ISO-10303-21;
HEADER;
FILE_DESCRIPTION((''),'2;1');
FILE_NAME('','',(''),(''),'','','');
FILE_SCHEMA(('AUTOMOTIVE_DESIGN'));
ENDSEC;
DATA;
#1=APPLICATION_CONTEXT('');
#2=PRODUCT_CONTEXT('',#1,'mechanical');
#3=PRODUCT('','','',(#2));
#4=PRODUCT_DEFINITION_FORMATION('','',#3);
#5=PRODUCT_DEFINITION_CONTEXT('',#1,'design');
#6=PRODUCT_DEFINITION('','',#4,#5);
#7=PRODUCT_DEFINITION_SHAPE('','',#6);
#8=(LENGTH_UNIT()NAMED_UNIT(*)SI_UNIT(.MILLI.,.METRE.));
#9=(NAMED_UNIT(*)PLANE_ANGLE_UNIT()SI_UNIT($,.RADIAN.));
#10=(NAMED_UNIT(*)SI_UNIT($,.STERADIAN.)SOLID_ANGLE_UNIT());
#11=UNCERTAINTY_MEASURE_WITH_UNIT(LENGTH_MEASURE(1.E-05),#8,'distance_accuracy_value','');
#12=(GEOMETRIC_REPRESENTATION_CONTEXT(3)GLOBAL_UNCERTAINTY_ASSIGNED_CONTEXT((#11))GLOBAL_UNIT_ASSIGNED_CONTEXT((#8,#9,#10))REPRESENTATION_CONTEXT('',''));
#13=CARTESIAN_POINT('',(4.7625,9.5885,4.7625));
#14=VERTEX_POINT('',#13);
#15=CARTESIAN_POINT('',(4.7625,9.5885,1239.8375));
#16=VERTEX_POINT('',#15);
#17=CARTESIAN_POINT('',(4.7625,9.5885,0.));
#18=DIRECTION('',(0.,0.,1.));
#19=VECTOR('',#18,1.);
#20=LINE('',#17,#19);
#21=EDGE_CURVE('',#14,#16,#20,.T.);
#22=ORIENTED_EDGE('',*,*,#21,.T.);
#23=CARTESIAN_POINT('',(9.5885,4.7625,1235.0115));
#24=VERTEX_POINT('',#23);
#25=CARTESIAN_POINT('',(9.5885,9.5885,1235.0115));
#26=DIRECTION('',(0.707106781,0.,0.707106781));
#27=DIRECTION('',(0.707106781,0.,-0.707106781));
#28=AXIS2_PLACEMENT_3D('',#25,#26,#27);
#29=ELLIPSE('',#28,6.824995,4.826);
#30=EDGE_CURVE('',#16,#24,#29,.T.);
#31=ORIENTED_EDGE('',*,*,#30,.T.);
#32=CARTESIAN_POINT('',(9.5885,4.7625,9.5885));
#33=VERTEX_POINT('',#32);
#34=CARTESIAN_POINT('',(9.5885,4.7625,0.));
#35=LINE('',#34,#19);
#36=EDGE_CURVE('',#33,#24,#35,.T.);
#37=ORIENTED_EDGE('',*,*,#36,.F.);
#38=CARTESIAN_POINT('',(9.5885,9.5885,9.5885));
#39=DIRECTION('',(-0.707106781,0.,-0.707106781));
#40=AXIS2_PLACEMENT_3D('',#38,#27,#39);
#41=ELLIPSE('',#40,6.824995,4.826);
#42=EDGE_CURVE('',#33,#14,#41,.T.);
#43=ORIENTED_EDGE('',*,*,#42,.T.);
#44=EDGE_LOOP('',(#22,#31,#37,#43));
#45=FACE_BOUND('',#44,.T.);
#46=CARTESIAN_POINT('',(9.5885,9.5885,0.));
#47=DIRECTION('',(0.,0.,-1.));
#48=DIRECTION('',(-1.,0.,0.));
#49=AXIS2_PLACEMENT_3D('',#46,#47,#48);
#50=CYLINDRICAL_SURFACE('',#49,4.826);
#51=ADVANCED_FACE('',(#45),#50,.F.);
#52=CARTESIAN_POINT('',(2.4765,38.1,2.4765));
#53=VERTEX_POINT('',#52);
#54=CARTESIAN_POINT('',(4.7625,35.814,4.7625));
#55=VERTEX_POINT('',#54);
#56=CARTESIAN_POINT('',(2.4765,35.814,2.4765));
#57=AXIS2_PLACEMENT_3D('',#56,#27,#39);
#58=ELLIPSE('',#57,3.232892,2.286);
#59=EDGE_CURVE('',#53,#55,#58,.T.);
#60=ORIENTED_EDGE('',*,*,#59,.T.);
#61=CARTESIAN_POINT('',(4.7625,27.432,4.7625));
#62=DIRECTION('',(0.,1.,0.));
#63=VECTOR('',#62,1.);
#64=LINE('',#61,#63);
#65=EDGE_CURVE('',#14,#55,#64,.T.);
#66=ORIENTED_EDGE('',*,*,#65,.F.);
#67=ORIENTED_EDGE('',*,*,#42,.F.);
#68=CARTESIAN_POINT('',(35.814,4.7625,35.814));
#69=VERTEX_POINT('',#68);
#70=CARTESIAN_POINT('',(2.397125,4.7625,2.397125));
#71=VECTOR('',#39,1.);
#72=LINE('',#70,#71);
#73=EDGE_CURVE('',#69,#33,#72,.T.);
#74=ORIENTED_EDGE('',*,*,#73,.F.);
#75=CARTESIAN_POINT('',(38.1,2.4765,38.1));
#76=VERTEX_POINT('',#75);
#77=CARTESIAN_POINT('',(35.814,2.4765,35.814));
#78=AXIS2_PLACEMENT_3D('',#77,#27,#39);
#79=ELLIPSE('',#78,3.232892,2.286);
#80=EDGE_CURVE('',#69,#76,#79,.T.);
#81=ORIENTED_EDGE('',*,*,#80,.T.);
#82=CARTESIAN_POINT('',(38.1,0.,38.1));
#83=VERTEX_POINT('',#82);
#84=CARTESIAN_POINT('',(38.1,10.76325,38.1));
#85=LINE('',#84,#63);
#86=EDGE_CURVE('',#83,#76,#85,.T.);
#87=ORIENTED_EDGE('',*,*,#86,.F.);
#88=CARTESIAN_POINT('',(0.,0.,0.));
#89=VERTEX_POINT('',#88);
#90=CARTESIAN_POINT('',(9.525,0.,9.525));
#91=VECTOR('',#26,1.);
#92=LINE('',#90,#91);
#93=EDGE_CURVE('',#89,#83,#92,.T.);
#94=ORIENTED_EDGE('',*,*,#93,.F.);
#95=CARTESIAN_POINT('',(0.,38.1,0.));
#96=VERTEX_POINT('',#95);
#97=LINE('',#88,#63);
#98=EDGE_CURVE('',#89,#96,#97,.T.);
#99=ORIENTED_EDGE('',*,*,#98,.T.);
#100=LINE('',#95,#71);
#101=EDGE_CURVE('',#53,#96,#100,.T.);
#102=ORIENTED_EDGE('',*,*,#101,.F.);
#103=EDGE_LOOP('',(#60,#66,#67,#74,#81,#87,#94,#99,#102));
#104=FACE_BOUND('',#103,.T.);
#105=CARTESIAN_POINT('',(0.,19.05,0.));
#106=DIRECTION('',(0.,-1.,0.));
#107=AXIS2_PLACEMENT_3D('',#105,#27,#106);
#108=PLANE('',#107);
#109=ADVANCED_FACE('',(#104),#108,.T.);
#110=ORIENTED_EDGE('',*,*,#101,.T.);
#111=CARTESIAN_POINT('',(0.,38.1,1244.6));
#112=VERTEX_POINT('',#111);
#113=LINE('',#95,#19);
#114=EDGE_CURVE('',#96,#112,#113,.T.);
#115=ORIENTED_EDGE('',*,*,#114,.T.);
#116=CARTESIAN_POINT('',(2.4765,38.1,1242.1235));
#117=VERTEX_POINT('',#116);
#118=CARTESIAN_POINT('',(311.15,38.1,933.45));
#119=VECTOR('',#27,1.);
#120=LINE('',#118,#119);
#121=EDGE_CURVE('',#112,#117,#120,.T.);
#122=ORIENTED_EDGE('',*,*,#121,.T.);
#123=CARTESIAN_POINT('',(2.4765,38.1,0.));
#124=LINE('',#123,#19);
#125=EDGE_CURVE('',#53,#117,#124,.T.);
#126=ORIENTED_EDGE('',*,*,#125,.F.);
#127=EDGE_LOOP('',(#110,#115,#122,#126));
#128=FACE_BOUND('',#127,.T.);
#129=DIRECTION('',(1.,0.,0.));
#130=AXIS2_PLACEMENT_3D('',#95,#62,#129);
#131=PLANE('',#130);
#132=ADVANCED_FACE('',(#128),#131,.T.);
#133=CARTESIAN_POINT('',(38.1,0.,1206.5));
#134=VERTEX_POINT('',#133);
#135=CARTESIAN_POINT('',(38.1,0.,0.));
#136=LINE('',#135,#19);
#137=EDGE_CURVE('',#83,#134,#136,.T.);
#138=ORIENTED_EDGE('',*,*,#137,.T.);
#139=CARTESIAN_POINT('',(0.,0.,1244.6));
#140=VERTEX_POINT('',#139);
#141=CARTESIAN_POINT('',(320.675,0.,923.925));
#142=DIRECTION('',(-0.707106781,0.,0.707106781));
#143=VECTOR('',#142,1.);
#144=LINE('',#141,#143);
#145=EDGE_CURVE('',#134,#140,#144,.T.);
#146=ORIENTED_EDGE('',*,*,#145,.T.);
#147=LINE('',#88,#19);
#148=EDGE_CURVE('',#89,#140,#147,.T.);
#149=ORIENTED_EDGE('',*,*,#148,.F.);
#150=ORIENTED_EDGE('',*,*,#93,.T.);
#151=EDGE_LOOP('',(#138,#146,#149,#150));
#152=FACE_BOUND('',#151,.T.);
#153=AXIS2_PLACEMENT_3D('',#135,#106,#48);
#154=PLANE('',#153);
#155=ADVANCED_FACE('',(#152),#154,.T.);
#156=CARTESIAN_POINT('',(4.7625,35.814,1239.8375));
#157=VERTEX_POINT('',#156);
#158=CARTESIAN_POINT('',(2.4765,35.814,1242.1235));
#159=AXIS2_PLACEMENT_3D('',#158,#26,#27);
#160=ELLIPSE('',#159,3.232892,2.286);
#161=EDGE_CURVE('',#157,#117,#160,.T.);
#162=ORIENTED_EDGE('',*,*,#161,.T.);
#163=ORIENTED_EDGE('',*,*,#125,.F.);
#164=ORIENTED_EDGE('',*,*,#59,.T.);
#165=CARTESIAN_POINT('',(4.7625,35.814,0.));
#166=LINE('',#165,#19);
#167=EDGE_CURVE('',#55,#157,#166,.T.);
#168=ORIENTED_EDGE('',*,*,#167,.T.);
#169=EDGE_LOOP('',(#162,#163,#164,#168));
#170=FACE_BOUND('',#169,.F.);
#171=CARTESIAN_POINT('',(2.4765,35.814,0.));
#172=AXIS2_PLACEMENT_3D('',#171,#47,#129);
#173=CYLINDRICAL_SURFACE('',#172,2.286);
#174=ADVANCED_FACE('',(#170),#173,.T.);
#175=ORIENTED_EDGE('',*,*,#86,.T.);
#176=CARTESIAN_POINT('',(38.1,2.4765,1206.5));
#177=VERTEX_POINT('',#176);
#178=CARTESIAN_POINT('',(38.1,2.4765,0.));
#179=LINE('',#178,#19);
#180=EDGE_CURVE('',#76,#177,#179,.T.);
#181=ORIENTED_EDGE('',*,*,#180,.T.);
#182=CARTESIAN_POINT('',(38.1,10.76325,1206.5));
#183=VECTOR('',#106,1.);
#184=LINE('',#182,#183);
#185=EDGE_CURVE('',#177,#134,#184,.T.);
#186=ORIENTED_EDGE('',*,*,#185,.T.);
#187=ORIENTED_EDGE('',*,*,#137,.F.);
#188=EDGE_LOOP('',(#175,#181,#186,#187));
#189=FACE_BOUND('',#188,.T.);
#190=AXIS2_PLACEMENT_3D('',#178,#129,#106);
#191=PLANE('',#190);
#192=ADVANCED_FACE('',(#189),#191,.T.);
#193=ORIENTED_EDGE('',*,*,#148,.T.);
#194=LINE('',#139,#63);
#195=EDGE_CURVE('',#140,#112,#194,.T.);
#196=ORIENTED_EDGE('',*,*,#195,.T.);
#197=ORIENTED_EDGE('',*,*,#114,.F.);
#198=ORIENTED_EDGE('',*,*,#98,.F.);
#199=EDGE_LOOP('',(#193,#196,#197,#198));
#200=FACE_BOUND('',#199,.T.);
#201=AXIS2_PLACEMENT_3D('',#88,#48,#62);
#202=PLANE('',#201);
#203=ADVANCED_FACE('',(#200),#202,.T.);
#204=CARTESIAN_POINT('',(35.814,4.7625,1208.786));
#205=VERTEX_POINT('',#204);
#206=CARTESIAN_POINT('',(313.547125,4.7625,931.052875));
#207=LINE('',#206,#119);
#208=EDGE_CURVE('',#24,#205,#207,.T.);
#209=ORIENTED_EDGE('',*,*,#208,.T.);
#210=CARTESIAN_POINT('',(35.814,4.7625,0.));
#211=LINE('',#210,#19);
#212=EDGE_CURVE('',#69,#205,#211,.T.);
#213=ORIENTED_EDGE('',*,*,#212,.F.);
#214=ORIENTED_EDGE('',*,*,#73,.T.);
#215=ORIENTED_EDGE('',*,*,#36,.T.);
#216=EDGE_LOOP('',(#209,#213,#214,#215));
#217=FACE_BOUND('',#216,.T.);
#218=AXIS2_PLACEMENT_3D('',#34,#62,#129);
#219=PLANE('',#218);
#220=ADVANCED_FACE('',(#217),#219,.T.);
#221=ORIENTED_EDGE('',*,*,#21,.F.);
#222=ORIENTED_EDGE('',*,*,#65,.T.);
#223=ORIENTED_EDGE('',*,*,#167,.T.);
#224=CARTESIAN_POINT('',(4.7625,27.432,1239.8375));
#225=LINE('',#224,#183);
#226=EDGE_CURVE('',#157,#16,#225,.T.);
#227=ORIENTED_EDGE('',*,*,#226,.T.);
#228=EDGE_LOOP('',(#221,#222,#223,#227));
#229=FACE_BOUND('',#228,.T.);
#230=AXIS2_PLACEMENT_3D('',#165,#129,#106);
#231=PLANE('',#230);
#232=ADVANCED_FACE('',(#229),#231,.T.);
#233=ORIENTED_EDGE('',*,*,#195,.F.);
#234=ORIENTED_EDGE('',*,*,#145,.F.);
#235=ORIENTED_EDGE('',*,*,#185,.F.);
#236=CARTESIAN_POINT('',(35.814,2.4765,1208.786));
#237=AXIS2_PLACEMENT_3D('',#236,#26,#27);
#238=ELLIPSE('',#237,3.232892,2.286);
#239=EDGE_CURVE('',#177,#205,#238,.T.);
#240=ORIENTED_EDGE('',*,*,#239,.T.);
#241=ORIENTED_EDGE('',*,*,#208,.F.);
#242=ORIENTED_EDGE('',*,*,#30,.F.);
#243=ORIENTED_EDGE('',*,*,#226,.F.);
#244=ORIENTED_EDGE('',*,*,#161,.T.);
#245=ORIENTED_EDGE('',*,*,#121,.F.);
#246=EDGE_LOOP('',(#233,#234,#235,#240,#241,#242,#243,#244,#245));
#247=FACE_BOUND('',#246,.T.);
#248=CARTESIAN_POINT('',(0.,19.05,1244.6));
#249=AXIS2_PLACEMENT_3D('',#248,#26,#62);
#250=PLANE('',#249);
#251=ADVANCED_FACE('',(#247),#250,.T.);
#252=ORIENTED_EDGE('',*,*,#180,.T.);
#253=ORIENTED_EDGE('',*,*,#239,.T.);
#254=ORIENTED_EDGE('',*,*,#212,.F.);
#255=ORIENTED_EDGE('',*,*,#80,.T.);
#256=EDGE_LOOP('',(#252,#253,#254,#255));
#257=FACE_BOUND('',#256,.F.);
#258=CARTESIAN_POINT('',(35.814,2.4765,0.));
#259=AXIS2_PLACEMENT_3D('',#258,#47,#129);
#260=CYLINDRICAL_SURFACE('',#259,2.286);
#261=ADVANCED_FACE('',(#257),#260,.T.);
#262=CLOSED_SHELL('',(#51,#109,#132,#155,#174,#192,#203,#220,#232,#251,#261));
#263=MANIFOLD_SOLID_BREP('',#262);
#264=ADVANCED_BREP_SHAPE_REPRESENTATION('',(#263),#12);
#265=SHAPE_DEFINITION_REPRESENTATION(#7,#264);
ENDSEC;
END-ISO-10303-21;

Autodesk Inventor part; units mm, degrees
ref_plane "Start plane" through (0, 0, 0) normal (0, 0, 1) x (1, 0, 0)
ref_plane "End plane" through (0, 0, 1244.6) normal (0, 0, 1) x (1, 0, 0)
sketch "Sketch" plane through (0, 0, 0) normal (0, 0, 1) x (1, 0, 0)
  line L0 (38.1, 0) -> (0, 0)
  line L1 (0, 0) -> (0, 38.1)
  line L2 (0, 38.1) -> (2.4765, 38.1)
  line L3 (4.7625, 35.814) -> (4.7625, 9.5885)
  line L4 (9.5885, 4.7625) -> (35.814, 4.7625)
  line L5 (38.1, 2.4765) -> (38.1, 0)
  line L6 (0, -11.0414) -> (0, 31.5385) construction
  line L7 (-11.0414, 0) -> (31.5385, 0) construction
  arc A0 (4.7625, 9.5885) -> (9.5885, 4.7625) centre (9.5885, 9.5885) ccw
  arc A1 (4.7625, 35.814) -> (2.4765, 38.1) centre (2.4765, 35.814) ccw
  arc A2 (38.1, 2.4765) -> (35.814, 4.7625) centre (35.814, 2.4765) ccw
  line L8 (0, 48.4964) -> (0, -20.9644) construction
  line L9 (-20.9644, 0) -> (48.4964, 0) construction
  point P0 (4.7625, 38.1)
  point P1 (4.7625, 4.7625)
  point P2 (38.1, 4.7625)
  dimension "d0" = 38.1
  dimension "d1" = 38.1
  dimension "d2" = 4.7625
  dimension "d3" = 4.7625
  dimension "d10" = 0
  dimension "d11" = 0
  dimension "d14" = 4.826
  dimension "d15" = 2.286
extrude "Body" add sketch "Sketch" along normal up to surface (1244.6 mm away) from surface at 0
sketch "Sketch3" plane through (0, 0, 0) normal (0, 0, 1) x (1, 0, 0)
  line L0 (0, 0) -> (10, 0)
ref_plane "Work Plane3" through (0, 0, 0) normal (0, -1, 0) x (1, 0, 0)
sketch "Sketch4" plane through (0, 0, 0) normal (0, -1, 0) x (1, 0, 0)
  line L0 (-2, 0) -> (12, 0)
  line L1 (-2, 1244.6) -> (12, 1244.6)
  dimension "d17" = 1244.6
ref_plane "Work Plane4" through (0, 19.05, 1244.6) normal (0.7071, 0, 0.7071) x (0.7071, 0, -0.7071)
split "Split1" plane through (0, 19.05, 1244.6) removes the side toward (0.7071, 0, 0.7071)
ref_plane "Work Plane5" through (0, 19.05, 0) normal (0.7071, 0, -0.7071) x (-0.7071, 0, -0.7071)
split "Split2" plane through (0, 19.05, 0) removes the side toward (0.7071, 0, -0.7071)
equation "\"d0\" = G_H"
equation "\"d1\" = G_H"
equation "\"d2\" = G_T"
equation "\"d3\" = G_T"
equation "\"d14\" = G_IR"
equation "\"d15\" = G_ER"
equation "\"d4\" = G_L"
equation "\"G_H\" = 38.1"
equation "\"G_T\" = 4.7625"
equation "\"G_ER\" = 2.286"
equation "\"G_IR\" = 4.826"
equation "\"G_L\" = d17"
equation "\"ex\" = 0"
equation "\"G_OFFSET_START\" = 0"
equation "\"G_OFFSET_END\" = 0"
equation "\"d13\" = G_OFFSET_END + B_L"
equation "\"B_L\" = 1244.6"
properties part number "AISC - L 1.5 x 1.5 x 3/16 - 49" material "Aluminum 6061"
